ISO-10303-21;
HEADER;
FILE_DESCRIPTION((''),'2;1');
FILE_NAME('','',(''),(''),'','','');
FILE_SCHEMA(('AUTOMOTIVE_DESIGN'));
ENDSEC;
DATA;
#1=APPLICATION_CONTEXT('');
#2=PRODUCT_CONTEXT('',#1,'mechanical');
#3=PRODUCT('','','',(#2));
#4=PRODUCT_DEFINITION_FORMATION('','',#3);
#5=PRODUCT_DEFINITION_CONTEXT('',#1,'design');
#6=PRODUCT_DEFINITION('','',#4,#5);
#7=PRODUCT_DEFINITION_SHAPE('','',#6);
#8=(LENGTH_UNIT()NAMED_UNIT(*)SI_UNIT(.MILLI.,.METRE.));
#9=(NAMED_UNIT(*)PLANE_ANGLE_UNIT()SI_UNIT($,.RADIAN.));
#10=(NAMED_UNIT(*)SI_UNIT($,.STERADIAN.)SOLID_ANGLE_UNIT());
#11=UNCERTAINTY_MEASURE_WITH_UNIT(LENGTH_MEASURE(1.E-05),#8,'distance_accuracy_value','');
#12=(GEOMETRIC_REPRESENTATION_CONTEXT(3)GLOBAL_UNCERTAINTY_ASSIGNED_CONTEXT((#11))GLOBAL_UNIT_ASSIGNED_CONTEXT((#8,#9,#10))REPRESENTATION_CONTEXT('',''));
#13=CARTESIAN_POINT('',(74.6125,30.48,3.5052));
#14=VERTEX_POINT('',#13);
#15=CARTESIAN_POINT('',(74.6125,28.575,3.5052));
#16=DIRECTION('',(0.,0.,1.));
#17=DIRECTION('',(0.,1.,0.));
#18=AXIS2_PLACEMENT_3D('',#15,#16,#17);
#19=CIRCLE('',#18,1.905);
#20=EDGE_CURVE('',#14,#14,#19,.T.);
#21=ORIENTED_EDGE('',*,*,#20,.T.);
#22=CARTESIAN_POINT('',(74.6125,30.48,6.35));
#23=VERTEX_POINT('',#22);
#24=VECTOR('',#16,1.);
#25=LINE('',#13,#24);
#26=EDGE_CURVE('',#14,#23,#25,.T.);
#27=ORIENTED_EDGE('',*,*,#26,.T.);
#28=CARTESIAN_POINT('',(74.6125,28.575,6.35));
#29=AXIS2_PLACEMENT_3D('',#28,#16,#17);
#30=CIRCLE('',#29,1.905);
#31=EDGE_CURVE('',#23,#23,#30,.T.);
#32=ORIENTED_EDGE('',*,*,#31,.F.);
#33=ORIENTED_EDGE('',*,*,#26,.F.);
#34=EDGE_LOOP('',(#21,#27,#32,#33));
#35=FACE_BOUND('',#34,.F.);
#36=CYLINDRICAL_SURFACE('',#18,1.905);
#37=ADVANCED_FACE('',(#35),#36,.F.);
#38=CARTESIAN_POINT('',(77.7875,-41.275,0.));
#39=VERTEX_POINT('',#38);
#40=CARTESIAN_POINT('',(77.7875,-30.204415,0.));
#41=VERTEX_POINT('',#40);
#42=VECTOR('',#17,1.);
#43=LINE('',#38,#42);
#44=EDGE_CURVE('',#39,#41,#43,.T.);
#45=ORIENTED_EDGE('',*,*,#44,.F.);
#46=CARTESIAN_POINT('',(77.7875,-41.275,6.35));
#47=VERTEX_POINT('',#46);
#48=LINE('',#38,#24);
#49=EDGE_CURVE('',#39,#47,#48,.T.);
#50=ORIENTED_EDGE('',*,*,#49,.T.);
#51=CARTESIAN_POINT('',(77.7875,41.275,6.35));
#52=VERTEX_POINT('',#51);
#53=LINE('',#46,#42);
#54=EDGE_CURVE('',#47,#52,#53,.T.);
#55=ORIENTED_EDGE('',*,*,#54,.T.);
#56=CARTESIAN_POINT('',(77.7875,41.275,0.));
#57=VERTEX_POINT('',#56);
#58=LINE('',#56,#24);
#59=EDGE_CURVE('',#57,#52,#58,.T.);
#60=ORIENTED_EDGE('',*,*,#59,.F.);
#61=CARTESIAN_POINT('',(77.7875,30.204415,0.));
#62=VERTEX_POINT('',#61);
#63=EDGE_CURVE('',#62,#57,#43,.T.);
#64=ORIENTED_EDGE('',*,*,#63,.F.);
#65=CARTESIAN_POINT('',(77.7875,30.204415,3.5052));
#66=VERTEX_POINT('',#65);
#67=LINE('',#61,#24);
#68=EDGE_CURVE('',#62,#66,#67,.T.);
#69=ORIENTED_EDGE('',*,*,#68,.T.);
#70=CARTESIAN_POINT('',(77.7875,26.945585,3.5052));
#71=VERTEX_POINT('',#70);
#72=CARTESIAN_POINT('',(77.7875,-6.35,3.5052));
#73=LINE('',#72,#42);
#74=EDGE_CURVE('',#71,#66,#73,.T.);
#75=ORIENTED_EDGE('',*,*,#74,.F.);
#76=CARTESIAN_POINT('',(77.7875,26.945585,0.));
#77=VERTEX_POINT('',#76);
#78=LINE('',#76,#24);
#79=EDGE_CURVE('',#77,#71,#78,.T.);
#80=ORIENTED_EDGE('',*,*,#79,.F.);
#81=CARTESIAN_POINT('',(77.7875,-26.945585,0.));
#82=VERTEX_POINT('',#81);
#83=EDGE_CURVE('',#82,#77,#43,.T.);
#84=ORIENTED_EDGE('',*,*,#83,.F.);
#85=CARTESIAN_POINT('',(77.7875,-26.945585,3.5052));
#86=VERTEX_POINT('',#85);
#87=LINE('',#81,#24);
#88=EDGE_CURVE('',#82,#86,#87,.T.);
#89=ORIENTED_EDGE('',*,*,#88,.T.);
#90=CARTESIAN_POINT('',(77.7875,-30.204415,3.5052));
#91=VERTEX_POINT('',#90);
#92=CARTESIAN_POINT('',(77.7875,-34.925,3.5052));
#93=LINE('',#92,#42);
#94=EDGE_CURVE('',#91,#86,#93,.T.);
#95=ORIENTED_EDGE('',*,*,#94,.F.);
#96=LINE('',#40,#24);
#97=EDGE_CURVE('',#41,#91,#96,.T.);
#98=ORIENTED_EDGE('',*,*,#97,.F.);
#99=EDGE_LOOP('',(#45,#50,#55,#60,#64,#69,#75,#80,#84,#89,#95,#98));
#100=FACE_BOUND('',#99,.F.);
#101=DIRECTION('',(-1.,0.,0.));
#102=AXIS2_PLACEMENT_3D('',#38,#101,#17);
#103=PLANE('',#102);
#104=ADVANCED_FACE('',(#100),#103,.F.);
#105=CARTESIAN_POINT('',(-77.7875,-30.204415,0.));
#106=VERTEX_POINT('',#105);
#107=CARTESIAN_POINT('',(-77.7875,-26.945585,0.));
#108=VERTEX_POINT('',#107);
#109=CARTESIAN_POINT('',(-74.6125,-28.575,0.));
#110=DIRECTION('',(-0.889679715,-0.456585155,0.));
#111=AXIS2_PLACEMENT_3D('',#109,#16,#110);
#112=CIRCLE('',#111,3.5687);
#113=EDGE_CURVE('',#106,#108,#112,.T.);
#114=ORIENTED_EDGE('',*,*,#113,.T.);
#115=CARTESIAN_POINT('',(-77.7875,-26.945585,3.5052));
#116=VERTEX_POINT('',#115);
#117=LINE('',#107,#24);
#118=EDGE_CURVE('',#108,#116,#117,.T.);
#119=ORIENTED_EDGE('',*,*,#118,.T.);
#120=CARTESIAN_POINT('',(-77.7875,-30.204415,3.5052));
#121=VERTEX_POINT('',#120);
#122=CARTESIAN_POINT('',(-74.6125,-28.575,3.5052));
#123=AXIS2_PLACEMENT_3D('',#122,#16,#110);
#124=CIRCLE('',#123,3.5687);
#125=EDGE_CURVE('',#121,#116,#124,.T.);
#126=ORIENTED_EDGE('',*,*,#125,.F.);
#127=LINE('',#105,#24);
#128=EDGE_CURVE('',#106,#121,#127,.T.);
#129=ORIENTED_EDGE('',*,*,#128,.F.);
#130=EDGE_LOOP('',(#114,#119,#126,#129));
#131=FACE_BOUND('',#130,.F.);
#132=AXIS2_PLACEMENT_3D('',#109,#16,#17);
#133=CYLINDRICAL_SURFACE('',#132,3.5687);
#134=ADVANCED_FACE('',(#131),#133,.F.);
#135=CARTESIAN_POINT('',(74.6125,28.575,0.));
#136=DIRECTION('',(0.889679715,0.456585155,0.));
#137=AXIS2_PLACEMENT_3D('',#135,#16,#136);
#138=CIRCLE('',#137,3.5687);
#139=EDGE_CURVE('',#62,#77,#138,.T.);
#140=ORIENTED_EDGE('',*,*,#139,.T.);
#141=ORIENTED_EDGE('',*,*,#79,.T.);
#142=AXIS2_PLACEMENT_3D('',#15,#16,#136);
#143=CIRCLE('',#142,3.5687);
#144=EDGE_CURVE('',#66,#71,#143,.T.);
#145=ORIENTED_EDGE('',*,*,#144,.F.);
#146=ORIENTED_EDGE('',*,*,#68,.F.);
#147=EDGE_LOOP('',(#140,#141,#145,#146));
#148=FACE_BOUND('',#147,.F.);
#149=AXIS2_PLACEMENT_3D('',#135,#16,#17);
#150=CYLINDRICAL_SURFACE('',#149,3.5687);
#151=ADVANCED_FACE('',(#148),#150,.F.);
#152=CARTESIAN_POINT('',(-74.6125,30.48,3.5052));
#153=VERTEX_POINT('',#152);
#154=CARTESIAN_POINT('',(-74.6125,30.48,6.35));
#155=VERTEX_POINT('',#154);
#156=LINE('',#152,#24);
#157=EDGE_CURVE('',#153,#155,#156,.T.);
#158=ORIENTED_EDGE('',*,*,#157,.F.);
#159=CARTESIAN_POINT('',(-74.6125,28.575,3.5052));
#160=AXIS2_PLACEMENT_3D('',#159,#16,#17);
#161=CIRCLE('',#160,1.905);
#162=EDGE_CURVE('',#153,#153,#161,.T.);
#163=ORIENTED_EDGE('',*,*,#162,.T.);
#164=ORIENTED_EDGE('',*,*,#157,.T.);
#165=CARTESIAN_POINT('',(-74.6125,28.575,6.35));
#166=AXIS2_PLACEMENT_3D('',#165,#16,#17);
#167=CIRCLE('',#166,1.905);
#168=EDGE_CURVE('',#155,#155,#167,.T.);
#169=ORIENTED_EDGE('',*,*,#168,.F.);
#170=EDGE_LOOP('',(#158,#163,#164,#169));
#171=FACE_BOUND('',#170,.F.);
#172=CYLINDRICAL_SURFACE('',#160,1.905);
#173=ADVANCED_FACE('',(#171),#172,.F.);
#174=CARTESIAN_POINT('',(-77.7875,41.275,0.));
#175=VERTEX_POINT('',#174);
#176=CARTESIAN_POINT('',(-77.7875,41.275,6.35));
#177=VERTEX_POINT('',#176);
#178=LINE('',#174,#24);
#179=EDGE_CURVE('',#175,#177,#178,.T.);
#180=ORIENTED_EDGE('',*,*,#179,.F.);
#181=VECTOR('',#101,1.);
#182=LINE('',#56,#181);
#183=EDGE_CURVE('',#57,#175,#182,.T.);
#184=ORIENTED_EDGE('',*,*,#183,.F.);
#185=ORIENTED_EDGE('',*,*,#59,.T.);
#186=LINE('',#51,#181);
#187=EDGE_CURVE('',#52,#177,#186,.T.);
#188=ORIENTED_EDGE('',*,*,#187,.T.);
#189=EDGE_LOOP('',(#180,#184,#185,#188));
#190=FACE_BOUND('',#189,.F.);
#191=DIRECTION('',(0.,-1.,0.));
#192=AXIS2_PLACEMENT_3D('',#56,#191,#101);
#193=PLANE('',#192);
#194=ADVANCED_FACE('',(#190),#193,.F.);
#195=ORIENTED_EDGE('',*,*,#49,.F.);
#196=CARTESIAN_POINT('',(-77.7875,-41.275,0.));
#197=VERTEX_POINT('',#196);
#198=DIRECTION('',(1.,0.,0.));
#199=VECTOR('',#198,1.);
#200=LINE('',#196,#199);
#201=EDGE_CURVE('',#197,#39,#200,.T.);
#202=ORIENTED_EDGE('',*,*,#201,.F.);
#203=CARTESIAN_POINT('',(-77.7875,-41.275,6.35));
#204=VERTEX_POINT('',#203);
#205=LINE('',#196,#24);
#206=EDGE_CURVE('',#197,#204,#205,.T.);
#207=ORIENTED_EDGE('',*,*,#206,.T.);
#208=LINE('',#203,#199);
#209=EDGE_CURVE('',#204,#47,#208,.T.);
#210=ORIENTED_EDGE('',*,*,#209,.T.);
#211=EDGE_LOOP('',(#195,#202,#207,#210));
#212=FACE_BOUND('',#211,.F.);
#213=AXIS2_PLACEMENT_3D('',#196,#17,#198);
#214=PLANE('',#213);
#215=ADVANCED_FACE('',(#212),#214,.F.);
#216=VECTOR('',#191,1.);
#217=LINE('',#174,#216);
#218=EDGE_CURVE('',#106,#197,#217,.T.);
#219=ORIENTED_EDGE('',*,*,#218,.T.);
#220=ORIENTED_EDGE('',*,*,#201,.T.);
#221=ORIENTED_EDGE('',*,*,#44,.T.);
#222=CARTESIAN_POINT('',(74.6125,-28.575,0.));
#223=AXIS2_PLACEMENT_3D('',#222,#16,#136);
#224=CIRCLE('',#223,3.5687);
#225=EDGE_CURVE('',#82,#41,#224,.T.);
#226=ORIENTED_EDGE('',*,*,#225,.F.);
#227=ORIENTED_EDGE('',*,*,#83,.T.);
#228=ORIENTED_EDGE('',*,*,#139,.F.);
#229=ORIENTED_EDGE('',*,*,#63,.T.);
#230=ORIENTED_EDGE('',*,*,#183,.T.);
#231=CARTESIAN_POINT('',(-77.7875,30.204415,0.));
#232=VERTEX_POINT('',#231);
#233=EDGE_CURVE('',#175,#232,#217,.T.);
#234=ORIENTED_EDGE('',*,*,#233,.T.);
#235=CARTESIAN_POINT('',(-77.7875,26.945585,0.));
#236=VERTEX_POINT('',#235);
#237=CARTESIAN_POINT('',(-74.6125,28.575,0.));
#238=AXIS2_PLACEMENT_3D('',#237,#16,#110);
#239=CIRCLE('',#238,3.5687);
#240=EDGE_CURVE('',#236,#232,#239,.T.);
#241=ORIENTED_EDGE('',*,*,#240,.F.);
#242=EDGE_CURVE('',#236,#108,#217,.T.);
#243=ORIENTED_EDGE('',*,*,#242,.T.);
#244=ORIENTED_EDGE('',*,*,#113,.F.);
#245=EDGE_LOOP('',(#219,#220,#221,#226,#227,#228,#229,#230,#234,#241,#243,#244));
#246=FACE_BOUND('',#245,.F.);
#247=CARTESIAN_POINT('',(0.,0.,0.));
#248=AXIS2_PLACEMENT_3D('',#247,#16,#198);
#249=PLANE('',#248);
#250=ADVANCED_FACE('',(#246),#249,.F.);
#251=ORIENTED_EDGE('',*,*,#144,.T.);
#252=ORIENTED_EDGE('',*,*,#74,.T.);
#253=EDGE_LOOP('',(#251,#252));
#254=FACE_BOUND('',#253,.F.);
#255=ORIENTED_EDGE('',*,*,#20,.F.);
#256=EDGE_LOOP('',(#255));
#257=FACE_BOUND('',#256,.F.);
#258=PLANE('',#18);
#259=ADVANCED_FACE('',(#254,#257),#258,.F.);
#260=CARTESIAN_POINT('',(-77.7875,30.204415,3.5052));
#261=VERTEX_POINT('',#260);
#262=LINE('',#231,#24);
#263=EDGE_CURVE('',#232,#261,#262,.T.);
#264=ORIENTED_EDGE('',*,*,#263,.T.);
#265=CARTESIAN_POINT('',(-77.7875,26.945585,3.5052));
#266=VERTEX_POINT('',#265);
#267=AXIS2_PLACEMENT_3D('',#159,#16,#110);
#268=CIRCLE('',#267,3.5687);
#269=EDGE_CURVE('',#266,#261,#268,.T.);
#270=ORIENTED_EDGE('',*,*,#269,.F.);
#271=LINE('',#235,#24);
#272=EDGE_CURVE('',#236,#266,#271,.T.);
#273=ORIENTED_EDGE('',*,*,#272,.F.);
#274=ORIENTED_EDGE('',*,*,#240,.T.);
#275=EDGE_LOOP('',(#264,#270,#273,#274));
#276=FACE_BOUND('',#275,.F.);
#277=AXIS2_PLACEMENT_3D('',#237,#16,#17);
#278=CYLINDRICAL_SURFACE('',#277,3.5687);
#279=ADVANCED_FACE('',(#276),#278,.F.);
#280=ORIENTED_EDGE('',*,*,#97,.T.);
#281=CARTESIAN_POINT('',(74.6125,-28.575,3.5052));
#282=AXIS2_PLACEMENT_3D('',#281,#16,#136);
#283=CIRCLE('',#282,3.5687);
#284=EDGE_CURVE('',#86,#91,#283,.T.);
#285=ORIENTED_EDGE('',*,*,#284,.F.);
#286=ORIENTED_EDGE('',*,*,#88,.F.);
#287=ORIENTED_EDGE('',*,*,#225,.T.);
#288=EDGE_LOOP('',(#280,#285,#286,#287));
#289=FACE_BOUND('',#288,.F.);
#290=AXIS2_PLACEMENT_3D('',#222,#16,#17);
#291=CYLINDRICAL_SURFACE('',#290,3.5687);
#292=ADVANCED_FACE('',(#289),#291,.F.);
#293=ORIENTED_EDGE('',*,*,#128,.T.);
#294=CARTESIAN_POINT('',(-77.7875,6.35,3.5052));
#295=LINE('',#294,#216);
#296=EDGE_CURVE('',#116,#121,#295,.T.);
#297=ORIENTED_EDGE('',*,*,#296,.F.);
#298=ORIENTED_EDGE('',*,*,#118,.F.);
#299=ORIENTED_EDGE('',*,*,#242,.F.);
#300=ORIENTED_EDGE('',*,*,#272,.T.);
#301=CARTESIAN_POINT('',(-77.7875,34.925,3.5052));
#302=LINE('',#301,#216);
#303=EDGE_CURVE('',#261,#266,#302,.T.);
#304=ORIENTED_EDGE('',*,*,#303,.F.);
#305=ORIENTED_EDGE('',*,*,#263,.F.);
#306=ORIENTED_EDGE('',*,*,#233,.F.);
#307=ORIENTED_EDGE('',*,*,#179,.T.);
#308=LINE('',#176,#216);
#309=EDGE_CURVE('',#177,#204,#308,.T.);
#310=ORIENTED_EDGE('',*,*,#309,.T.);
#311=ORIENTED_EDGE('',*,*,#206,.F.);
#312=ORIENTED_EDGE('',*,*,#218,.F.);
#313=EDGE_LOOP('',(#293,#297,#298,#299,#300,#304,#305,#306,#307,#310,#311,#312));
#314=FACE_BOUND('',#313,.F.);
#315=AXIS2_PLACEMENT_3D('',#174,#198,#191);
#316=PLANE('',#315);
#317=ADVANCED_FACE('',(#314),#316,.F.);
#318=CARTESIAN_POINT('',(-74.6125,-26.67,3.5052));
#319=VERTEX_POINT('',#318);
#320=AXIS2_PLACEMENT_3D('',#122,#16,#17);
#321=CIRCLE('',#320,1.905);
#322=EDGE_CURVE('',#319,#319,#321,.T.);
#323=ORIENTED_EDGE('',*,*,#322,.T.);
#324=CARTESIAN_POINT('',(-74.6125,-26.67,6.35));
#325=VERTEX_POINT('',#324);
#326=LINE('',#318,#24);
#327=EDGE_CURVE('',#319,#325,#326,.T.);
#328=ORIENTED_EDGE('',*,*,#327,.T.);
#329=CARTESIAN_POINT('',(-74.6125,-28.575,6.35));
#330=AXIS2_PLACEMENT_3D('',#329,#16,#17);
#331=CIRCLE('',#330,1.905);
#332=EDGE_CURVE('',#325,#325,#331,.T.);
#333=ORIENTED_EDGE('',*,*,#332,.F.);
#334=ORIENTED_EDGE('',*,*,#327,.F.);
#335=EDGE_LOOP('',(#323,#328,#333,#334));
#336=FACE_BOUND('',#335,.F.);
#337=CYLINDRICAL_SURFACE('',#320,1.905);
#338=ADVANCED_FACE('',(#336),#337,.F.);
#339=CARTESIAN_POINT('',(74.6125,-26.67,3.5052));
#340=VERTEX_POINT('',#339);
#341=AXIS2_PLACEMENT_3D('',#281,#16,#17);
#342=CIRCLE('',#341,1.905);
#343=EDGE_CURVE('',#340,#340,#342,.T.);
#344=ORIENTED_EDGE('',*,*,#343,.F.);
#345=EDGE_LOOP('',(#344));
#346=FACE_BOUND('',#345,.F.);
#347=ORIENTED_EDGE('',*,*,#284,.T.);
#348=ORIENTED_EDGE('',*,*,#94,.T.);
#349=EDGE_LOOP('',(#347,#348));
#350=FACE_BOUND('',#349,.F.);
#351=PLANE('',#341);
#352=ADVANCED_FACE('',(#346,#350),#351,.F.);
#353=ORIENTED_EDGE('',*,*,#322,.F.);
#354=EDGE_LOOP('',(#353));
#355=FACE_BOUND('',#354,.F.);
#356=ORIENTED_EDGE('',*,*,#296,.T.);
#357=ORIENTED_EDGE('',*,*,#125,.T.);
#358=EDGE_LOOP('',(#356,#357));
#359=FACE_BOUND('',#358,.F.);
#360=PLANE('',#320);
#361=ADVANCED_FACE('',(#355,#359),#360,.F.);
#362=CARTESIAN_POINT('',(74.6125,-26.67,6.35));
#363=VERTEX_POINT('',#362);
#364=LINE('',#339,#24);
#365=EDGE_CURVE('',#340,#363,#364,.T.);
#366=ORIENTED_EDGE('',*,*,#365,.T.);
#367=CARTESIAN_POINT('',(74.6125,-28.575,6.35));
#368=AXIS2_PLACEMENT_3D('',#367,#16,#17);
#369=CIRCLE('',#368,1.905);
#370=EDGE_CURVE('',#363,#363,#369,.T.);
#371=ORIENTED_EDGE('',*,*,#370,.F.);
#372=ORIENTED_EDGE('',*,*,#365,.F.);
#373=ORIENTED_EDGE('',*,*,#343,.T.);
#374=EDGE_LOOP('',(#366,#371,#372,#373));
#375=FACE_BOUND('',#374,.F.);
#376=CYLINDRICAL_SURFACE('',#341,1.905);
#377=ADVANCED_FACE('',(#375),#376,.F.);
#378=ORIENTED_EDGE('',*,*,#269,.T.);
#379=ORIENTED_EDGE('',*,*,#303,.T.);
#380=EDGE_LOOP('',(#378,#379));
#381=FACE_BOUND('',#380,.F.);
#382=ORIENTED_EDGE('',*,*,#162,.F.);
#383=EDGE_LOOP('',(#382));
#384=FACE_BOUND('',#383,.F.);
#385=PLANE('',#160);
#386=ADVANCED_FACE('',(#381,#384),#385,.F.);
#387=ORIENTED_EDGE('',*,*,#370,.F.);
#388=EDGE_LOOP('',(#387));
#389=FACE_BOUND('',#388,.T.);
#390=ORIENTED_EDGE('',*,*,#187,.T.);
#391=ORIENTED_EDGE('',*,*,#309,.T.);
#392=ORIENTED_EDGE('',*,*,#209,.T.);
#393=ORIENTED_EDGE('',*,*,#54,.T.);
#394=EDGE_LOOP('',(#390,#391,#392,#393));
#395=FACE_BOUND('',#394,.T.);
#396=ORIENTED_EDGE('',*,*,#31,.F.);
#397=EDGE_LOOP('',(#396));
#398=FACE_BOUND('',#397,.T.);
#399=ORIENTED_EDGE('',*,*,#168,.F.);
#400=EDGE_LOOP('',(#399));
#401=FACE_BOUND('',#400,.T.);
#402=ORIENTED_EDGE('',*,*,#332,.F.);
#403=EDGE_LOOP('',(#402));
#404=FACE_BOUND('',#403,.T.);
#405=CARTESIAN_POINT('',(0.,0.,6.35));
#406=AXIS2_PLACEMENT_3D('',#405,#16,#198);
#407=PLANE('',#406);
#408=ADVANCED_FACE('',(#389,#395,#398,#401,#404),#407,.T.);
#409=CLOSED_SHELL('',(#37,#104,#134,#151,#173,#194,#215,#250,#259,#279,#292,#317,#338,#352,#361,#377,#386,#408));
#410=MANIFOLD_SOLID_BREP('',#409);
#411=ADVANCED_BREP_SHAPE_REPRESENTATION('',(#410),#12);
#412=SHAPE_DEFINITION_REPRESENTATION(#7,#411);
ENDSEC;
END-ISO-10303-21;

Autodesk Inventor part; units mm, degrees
ref_plane "YZ Plane" through (0, 0, 0) normal (1, 0, 0) x (0, 1, 0)
ref_plane "XZ Plane" through (0, 0, 0) normal (0, 1, 0) x (-1, 0, 0)
ref_plane "XY Plane" through (0, 0, 0) normal (0, 0, 1) x (1, 0, 0)
sketch "Sketch1" plane through (0, 0, 0) normal (0, 0, 1) x (1, 0, 0)
  line L0 (-77.7875, -41.275) -> (77.7875, -41.275)
  line L1 (77.7875, -41.275) -> (77.7875, 41.275)
  line L2 (77.7875, 41.275) -> (-77.7875, 41.275)
  line L3 (-77.7875, 41.275) -> (-77.7875, -41.275)
  line L4 (-77.7875, -41.275) -> (77.7875, 41.275) construction
  line L5 (77.7875, -41.275) -> (-77.7875, 41.275) construction
  point P0 (0, 0)
  dimension "d0" = 155.575
  dimension "d1" = 82.55
extrude "Extrusion1" add sketch "Sketch1" along normal blind 6.35
sketch "Sketch2" plane through (0, 0, 0) normal (0, 0, -1) x (-1, 0, 0)
  line L0 (-74.6125, -28.575) -> (74.6125, -28.575)
  line L1 (74.6125, -28.575) -> (74.6125, 28.575)
  line L2 (74.6125, 28.575) -> (-74.6125, 28.575)
  line L3 (-74.6125, 28.575) -> (-74.6125, -28.575)
  line L4 (-74.6125, -28.575) -> (74.6125, 28.575) construction
  line L5 (74.6125, -28.575) -> (-74.6125, 28.575) construction
  point P0 (0, 0)
  dimension "d4" = 149.225
  dimension "d5" = 57.15
hole "Hole1" at (74.6125, 28.575, 0) at (74.6125, -28.575, 0) at (-74.6125, 28.575, 0) at (-74.6125, -28.575, 0) direction (0, 0, 1) diameter 3.81 end through all counterbore diameter 7.1374 counterbore depth 3.5052 clearance for "Socket Head Cap Screw" size "#6" standard "Ansi Unified Screw Threads"
properties part number "front"
